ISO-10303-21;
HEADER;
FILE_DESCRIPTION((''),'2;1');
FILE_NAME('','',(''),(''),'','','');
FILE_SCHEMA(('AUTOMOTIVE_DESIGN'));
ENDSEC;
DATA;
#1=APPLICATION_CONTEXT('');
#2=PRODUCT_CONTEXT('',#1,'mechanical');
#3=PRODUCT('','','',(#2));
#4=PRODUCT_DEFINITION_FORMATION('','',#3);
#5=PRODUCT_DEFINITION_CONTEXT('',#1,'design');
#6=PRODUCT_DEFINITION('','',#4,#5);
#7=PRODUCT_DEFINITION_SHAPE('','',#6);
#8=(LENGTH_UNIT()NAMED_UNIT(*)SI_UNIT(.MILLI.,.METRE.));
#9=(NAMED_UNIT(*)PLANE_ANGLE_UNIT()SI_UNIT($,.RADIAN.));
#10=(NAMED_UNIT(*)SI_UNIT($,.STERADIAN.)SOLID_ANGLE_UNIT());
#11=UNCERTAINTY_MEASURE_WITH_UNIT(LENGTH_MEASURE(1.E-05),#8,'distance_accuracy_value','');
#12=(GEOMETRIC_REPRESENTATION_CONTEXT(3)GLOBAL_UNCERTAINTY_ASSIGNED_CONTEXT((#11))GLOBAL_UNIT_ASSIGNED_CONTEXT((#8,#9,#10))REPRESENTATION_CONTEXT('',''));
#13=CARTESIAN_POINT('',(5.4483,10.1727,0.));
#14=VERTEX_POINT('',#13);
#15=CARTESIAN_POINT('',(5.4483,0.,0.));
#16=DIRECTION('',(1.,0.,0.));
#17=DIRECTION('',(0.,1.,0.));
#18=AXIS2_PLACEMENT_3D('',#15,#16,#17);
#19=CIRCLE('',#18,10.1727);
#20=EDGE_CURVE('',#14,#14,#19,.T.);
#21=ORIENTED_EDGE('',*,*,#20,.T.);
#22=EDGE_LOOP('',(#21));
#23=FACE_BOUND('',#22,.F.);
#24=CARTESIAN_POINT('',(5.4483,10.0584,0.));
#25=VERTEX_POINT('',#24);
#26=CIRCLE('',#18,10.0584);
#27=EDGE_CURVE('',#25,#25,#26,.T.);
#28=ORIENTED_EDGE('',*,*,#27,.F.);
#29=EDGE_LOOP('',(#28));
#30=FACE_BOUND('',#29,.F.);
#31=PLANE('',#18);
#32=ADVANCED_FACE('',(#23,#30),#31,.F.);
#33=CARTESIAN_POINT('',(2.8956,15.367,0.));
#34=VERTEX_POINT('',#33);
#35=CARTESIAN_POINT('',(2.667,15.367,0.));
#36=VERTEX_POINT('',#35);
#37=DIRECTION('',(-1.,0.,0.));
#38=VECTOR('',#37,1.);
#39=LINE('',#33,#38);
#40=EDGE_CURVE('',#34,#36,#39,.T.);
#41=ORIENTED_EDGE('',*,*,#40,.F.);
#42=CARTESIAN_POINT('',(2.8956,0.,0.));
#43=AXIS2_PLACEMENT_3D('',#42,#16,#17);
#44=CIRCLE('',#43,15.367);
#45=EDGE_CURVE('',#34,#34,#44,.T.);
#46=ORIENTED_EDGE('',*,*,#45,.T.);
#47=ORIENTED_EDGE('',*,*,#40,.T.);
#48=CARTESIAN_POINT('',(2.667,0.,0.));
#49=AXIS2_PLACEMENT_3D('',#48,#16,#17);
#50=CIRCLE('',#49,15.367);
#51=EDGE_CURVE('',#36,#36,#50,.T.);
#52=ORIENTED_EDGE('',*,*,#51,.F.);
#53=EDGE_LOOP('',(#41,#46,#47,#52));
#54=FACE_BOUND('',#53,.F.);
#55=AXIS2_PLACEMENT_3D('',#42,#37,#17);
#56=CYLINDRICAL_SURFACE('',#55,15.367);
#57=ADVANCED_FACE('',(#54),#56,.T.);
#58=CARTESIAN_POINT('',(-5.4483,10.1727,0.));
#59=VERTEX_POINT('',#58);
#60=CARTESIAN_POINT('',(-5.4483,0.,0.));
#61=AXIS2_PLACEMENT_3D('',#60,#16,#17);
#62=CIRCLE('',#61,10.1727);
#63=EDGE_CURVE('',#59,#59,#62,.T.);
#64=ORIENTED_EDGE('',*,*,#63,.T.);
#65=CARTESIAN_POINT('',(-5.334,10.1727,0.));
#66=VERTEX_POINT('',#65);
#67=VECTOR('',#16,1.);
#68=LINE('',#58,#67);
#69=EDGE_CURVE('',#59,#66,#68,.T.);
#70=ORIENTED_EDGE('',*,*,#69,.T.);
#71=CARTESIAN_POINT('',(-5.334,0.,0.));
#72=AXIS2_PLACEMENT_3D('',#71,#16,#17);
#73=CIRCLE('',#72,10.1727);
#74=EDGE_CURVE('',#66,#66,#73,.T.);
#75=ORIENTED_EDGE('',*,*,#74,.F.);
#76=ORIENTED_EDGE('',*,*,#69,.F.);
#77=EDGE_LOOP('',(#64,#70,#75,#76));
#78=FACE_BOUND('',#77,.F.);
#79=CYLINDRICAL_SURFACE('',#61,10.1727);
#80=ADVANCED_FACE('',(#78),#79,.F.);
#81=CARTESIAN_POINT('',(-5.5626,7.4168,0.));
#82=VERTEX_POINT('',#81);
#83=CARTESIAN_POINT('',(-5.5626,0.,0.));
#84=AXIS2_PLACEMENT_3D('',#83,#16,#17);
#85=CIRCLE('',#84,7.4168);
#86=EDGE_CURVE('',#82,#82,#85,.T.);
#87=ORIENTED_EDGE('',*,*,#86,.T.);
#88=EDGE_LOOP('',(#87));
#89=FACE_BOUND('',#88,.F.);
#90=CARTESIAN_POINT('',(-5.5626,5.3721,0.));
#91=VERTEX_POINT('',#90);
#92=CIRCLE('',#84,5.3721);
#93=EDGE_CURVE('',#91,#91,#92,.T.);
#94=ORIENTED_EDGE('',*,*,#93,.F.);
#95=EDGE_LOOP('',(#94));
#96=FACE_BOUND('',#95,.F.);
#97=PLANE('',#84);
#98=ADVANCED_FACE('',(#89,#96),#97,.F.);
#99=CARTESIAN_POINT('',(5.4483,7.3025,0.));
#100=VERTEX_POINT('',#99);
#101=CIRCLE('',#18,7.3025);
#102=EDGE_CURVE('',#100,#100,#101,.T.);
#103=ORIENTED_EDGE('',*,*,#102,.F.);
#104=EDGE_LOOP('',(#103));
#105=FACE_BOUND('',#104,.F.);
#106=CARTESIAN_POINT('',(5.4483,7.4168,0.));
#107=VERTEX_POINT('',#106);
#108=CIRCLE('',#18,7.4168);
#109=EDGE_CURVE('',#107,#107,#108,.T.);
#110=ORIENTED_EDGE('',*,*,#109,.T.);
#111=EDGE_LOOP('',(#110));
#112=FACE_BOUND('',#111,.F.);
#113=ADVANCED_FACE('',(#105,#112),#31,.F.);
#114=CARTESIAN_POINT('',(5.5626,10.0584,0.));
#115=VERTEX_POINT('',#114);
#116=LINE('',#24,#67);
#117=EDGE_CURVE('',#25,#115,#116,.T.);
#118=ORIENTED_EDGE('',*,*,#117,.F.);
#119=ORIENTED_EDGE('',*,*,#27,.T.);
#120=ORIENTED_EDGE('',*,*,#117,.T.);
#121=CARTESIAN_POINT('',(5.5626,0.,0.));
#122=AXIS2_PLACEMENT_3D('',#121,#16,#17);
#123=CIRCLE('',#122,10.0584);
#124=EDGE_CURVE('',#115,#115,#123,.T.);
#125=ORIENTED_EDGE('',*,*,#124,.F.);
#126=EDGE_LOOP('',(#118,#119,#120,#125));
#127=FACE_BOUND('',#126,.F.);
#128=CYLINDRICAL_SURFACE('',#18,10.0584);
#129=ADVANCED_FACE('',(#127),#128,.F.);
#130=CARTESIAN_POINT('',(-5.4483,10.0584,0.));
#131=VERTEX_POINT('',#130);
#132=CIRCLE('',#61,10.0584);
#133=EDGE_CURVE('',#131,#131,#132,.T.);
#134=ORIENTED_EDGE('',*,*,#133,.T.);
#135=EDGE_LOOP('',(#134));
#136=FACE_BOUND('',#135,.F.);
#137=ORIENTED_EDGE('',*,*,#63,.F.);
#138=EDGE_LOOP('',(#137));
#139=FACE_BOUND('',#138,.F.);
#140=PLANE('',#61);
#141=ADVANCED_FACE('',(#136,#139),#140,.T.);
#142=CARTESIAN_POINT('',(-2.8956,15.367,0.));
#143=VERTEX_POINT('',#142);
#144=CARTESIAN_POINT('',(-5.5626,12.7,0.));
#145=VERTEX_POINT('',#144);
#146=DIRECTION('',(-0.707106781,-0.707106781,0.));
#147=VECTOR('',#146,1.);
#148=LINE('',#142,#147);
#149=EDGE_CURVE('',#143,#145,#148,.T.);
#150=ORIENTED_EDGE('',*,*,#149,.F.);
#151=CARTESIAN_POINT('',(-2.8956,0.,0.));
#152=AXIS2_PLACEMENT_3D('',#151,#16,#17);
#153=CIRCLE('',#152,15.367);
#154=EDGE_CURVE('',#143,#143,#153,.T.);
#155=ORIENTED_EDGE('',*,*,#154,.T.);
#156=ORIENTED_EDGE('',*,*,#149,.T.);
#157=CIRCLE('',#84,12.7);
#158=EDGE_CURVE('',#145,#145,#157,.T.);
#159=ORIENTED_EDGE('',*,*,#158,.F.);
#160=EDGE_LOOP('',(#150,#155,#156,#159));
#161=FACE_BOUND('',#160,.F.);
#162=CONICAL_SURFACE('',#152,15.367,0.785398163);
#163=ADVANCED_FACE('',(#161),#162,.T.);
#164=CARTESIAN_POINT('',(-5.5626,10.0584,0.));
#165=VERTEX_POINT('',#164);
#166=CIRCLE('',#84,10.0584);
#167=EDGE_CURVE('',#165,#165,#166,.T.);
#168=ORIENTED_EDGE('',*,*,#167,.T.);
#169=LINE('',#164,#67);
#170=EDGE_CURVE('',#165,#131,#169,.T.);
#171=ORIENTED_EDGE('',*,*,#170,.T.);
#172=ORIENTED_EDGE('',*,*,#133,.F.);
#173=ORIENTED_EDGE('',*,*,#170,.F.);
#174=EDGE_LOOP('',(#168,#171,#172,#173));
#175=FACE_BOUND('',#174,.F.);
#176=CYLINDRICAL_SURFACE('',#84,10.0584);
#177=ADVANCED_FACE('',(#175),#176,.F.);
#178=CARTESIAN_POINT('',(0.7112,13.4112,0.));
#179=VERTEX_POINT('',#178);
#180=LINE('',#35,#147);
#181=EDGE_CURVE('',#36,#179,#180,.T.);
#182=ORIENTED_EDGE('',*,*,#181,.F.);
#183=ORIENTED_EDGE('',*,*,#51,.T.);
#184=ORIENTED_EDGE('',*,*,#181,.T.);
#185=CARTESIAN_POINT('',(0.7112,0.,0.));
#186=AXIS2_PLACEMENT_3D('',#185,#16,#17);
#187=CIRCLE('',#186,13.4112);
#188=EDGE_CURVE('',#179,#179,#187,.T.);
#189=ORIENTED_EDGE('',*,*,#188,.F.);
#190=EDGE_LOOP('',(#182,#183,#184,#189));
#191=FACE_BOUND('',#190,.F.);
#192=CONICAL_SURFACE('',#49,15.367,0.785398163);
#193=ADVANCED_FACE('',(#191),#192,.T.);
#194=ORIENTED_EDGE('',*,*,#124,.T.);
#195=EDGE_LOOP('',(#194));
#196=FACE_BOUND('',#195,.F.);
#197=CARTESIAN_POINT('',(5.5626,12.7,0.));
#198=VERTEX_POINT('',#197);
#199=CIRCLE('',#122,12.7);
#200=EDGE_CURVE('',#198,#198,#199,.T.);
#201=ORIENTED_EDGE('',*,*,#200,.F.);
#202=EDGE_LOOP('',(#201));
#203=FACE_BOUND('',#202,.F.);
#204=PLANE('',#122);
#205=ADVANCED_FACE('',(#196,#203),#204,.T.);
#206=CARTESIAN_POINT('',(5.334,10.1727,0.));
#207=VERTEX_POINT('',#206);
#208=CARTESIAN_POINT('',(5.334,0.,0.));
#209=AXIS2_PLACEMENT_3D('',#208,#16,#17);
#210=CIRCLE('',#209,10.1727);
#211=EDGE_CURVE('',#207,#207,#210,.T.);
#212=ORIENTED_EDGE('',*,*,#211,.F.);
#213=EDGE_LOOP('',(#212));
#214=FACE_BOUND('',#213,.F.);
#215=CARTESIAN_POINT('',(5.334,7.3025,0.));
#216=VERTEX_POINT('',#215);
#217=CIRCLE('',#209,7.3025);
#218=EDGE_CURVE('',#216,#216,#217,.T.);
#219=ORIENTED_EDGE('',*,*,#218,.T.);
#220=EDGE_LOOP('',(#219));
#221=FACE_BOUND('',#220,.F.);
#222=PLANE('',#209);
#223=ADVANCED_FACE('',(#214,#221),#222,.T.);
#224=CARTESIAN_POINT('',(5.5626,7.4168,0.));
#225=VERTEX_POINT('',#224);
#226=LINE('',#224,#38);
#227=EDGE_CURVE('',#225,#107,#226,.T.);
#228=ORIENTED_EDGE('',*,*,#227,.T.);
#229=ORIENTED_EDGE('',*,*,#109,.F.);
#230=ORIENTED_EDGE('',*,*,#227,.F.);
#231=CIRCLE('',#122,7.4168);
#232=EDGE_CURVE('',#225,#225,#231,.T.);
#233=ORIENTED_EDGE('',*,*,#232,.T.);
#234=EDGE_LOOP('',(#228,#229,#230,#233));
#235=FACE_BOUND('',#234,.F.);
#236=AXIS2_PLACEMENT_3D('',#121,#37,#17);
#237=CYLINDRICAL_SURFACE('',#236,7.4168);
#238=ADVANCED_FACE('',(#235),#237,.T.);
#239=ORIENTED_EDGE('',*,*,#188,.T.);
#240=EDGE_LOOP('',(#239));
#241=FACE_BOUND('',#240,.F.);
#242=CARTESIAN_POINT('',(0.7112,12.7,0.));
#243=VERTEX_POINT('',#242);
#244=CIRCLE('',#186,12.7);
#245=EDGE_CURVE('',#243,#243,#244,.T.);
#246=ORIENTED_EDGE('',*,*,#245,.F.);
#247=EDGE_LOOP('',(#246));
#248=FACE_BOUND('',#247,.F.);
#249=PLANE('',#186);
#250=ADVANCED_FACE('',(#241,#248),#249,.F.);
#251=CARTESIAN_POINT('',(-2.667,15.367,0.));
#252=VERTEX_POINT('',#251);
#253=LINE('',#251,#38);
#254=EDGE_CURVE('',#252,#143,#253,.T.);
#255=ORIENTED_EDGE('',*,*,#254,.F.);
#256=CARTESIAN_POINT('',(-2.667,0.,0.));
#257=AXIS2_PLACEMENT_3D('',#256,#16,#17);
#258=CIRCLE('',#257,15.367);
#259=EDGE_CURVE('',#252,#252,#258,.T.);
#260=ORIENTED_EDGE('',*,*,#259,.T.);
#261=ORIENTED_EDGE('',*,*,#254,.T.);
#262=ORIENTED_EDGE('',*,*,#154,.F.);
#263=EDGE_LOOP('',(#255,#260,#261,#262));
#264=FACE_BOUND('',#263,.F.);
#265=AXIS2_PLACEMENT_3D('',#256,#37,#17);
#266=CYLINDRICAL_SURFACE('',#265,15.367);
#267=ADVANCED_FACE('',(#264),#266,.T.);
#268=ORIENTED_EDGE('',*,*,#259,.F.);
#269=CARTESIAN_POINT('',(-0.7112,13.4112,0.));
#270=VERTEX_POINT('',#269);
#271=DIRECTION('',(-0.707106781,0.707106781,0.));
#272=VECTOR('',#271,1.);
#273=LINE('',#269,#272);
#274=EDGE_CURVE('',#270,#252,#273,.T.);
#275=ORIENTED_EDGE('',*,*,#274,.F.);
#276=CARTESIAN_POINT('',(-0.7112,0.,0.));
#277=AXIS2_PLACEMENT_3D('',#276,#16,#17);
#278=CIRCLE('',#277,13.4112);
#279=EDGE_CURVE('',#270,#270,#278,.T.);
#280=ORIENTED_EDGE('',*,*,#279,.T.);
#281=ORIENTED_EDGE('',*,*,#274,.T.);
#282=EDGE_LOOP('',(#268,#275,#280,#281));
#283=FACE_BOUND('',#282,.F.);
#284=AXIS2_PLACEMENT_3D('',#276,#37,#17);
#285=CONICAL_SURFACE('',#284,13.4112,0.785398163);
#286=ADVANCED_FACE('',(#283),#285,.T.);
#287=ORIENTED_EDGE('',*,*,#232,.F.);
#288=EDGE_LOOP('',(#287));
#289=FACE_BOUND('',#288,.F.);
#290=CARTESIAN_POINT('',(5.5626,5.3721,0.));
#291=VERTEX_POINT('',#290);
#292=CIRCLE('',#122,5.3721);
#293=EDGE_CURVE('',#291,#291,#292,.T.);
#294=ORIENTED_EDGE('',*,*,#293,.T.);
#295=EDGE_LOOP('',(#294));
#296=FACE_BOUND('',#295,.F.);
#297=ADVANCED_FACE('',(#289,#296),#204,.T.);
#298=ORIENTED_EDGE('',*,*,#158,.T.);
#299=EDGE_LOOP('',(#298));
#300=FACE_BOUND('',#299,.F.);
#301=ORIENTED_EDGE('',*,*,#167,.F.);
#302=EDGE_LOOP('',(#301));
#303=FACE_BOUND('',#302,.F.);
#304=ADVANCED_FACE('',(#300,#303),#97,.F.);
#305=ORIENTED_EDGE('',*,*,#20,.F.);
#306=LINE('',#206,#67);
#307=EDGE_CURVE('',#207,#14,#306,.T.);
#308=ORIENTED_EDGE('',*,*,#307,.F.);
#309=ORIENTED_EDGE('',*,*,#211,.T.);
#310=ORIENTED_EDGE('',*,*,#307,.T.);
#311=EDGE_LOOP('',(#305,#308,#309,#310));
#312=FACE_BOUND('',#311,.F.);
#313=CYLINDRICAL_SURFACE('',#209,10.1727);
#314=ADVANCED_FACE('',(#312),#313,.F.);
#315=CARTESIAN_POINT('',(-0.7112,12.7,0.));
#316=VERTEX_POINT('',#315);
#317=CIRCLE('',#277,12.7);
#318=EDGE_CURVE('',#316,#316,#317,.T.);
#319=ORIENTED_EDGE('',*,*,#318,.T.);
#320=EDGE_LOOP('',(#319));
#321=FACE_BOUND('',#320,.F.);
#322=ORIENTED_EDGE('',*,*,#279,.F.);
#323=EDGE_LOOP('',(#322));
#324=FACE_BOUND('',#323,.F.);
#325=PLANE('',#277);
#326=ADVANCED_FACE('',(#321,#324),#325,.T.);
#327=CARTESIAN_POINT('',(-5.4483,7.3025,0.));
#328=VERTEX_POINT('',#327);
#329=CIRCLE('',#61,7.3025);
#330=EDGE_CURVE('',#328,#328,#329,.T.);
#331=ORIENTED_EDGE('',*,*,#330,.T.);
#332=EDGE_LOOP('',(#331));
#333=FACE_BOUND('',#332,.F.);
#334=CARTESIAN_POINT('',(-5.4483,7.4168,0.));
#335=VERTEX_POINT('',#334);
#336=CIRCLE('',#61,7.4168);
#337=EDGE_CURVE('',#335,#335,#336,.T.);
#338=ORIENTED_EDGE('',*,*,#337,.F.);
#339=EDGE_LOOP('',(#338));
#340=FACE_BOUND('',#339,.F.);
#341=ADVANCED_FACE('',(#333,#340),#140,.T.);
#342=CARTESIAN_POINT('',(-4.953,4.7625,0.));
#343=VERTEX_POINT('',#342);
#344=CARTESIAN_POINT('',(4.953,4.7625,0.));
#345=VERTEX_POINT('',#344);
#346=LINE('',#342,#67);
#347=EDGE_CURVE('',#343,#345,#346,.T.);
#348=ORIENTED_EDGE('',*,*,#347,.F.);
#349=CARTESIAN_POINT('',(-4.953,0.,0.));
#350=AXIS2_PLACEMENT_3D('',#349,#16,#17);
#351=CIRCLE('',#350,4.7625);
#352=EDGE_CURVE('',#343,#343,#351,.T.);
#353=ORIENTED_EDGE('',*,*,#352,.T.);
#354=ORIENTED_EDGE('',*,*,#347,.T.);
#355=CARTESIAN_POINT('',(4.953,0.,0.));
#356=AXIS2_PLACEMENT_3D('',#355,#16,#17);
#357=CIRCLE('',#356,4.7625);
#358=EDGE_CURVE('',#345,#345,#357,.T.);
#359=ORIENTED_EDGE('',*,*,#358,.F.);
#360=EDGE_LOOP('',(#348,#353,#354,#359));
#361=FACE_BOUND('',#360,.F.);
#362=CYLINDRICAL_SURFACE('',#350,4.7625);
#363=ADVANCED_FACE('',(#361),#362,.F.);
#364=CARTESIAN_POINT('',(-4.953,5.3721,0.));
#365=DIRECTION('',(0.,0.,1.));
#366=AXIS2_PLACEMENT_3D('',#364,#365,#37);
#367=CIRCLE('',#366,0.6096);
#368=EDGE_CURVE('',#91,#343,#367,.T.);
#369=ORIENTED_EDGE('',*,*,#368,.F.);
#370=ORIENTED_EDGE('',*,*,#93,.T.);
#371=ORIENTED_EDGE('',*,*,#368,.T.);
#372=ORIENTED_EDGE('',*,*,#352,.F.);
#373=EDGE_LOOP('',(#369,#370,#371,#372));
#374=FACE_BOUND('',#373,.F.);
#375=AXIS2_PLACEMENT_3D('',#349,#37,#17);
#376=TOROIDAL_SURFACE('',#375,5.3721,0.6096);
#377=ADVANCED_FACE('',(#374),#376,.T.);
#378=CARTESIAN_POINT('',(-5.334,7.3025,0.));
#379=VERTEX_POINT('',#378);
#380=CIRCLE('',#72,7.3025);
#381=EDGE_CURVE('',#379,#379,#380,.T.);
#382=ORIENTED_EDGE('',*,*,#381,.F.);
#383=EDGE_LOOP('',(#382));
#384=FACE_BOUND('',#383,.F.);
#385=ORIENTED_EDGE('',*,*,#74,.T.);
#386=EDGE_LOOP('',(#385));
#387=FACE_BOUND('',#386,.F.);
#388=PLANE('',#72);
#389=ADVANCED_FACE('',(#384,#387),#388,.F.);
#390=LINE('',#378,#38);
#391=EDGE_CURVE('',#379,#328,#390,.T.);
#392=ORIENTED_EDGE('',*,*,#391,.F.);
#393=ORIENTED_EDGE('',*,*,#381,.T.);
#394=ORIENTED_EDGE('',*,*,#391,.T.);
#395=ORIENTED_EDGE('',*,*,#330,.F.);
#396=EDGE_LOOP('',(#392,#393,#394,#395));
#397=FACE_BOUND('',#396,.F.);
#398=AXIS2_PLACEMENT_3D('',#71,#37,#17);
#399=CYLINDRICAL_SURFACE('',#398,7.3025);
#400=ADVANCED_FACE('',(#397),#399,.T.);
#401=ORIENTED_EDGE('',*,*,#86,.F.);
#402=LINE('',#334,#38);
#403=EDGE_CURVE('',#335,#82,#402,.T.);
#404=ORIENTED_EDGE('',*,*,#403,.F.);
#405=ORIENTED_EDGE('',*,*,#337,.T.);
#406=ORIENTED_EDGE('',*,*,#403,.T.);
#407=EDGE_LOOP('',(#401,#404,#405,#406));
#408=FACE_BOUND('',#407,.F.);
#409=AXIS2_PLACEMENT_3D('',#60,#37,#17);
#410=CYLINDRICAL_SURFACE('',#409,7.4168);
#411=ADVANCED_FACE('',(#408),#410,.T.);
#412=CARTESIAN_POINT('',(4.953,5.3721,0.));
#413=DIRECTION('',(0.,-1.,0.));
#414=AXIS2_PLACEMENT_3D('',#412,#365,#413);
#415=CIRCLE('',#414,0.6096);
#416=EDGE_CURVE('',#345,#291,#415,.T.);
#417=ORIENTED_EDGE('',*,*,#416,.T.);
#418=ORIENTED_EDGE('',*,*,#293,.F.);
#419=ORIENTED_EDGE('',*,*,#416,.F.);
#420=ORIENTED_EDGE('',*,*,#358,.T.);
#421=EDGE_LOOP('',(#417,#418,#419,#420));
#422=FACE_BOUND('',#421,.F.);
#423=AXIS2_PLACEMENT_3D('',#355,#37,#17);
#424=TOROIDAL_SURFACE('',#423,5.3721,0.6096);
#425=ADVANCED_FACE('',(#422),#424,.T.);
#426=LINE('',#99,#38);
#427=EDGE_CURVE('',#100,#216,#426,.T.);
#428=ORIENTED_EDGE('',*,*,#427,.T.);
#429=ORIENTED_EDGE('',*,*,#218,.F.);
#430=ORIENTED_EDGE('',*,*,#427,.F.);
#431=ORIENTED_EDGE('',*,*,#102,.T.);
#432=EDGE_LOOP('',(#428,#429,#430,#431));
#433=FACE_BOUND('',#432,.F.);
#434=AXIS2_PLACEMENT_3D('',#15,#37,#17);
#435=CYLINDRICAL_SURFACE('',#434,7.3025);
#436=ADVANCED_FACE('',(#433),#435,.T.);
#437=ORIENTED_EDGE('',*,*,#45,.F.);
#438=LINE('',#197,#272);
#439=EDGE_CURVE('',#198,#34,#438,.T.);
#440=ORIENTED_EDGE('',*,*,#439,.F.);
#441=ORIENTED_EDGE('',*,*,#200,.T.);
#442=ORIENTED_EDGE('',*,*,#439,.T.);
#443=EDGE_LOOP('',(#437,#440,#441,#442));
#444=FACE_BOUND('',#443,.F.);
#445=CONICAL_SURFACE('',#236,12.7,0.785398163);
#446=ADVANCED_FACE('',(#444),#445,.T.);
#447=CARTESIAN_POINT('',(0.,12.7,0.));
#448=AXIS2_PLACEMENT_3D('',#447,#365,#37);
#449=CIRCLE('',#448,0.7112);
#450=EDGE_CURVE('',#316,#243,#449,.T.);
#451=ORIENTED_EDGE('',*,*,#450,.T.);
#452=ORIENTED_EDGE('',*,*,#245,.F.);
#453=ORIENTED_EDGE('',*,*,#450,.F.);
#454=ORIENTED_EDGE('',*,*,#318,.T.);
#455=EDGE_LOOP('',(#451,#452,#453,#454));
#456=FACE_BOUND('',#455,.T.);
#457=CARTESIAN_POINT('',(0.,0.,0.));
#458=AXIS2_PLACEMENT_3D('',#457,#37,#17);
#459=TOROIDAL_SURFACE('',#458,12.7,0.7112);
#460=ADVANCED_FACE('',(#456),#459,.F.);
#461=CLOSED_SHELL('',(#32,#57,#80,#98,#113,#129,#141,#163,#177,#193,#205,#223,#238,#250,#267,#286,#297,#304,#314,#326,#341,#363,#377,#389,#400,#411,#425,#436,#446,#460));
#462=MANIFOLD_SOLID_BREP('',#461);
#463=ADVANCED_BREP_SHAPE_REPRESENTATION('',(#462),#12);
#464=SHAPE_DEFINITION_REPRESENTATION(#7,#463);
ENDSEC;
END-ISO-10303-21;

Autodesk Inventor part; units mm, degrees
sketch "Sketch_1" plane through (0, 0, 0) normal (0, 0, 1) x (1, 0, 0)
  line L0 (4.953, 0) -> (-4.953, 0)
  line L1 (-5.5626, 7.4168) -> (-5.5626, 5.3721)
  arc A0 (-5.5626, 5.3721) -> (-4.953, 4.7625) centre (-4.953, 5.3721) ccw
  line L2 (-4.953, 4.7625) -> (4.953, 4.7625)
  arc A1 (4.953, 4.7625) -> (5.5626, 5.3721) centre (4.953, 5.3721) ccw
  line L3 (5.5626, 5.3721) -> (5.5626, 7.4168)
  line L4 (5.5626, 7.4168) -> (5.4483, 7.4168)
  line L5 (5.4483, 7.4168) -> (5.4483, 7.3025)
  line L6 (5.4483, 7.3025) -> (5.334, 7.3025)
  line L7 (5.334, 7.3025) -> (5.334, 10.1727)
  line L8 (5.334, 10.1727) -> (5.4483, 10.1727)
  line L9 (5.4483, 10.1727) -> (5.4483, 10.0584)
  line L10 (5.4483, 10.0584) -> (5.5626, 10.0584)
  line L11 (5.5626, 10.0584) -> (5.5626, 12.7)
  line L12 (5.5626, 12.7) -> (2.8956, 15.367)
  line L13 (2.8956, 15.367) -> (2.667, 15.367)
  line L14 (2.667, 15.367) -> (0.7112, 13.4112)
  line L15 (0.7112, 13.4112) -> (0.7112, 12.7)
  arc A2 (-0.7112, 12.7) -> (0.7112, 12.7) centre (0, 12.7) ccw
  line L16 (-0.7112, 12.7) -> (-0.7112, 13.4112)
  line L17 (-0.7112, 13.4112) -> (-2.667, 15.367)
  line L18 (-2.667, 15.367) -> (-2.8956, 15.367)
  line L19 (-2.8956, 15.367) -> (-5.5626, 12.7)
  line L20 (-5.5626, 12.7) -> (-5.5626, 10.0584)
  line L21 (-5.5626, 10.0584) -> (-5.4483, 10.0584)
  line L22 (-5.4483, 10.0584) -> (-5.4483, 10.1727)
  line L23 (-5.4483, 10.1727) -> (-5.334, 10.1727)
  line L24 (-5.334, 10.1727) -> (-5.334, 7.3025)
  line L25 (-5.334, 7.3025) -> (-5.4483, 7.3025)
  line L26 (-5.4483, 7.3025) -> (-5.4483, 7.4168)
  line L27 (-5.4483, 7.4168) -> (-5.5626, 7.4168)
revolve "Revolution1" add sketch "Sketch_1" angle 360 about axis through (4.953, 0, 0) along (1, 0, 0)
ref_plane "b_XY" through (-4.953, 4.7625, 0) normal (0, 0, 1) x (1, 0, 0)
ref_plane "b_YZ" through (-4.953, 4.7625, 0) normal (1, 0, 0) x (0, 1, 0)
ref_plane "b_ZX" through (-4.953, 4.7625, 0) normal (0, 1, 0) x (0, 0, 1)
ref_plane "b1_XY" through (-4.953, -4.7625, 0) normal (0, 0, 1) x (1, 0, 0)
ref_plane "b1_YZ" through (-4.953, -4.7625, 0) normal (1, 0, 0) x (0, 1, 0)
ref_plane "b1_ZX" through (-4.953, -4.7625, 0) normal (0, 1, 0) x (0, 0, 1)
ref_plane "d_XY" through (-2.7813, 15.367, 0) normal (0, 0, 1) x (1, 0, 0)
ref_plane "d_YZ" through (-2.7813, 15.367, 0) normal (1, 0, 0) x (0, 1, 0)
ref_plane "d_ZX" through (-2.7813, 15.367, 0) normal (0, 1, 0) x (0, 0, 1)
ref_plane "d1_XY" through (-2.7813, -15.367, 0) normal (0, 0, 1) x (1, 0, 0)
ref_plane "d1_YZ" through (-2.7813, -15.367, 0) normal (1, 0, 0) x (0, 1, 0)
ref_plane "d1_ZX" through (-2.7813, -15.367, 0) normal (0, 1, 0) x (0, 0, 1)
ref_plane "vri_XY" through (0, 12.7, 0) normal (0, 0, 1) x (1, 0, 0)
ref_plane "vri_YZ" through (0, 12.7, 0) normal (1, 0, 0) x (0, 1, 0)
ref_plane "vri_ZX" through (0, 12.7, 0) normal (0, 1, 0) x (0, 0, 1)
ref_plane "vri1_XY" through (5.5626, 0, 0) normal (0, 0, 1) x (1, 0, 0)
ref_plane "vri1_YZ" through (5.5626, 0, 0) normal (1, 0, 0) x (0, 1, 0)
ref_plane "vri1_ZX" through (5.5626, 0, 0) normal (0, 1, 0) x (0, 0, 1)
ref_plane "w_XY" through (-5.5626, 12.7, 0) normal (0, 0, 1) x (1, 0, 0)
ref_plane "w_YZ" through (-5.5626, 12.7, 0) normal (1, 0, 0) x (0, 1, 0)
ref_plane "w_ZX" through (-5.5626, 12.7, 0) normal (0, 1, 0) x (0, 0, 1)
ref_plane "w1_XY" through (5.5626, 12.7, 0) normal (0, 0, 1) x (1, 0, 0)
ref_plane "w1_YZ" through (5.5626, 12.7, 0) normal (1, 0, 0) x (0, 1, 0)
ref_plane "w1_ZX" through (5.5626, 12.7, 0) normal (0, 1, 0) x (0, 0, 1)
ref_plane "wheel_XY" through (5.5626, 0, 0) normal (1, 0, 0) x (0, 0, -1)
ref_plane "wheel_YZ" through (5.5626, 0, 0) normal (0, 0, -1) x (0, 1, 0)
ref_plane "wheel_ZX" through (5.5626, 0, 0) normal (0, 1, 0) x (1, 0, 0)
ref_plane "wheel2_XY" through (-5.5626, 0, 0) normal (1, 0, 0) x (0, 0, -1)
ref_plane "wheel2_YZ" through (-5.5626, 0, 0) normal (0, 0, -1) x (0, 1, 0)
ref_plane "wheel2_ZX" through (-5.5626, 0, 0) normal (0, 1, 0) x (1, 0, 0)
properties part number "W2X"
